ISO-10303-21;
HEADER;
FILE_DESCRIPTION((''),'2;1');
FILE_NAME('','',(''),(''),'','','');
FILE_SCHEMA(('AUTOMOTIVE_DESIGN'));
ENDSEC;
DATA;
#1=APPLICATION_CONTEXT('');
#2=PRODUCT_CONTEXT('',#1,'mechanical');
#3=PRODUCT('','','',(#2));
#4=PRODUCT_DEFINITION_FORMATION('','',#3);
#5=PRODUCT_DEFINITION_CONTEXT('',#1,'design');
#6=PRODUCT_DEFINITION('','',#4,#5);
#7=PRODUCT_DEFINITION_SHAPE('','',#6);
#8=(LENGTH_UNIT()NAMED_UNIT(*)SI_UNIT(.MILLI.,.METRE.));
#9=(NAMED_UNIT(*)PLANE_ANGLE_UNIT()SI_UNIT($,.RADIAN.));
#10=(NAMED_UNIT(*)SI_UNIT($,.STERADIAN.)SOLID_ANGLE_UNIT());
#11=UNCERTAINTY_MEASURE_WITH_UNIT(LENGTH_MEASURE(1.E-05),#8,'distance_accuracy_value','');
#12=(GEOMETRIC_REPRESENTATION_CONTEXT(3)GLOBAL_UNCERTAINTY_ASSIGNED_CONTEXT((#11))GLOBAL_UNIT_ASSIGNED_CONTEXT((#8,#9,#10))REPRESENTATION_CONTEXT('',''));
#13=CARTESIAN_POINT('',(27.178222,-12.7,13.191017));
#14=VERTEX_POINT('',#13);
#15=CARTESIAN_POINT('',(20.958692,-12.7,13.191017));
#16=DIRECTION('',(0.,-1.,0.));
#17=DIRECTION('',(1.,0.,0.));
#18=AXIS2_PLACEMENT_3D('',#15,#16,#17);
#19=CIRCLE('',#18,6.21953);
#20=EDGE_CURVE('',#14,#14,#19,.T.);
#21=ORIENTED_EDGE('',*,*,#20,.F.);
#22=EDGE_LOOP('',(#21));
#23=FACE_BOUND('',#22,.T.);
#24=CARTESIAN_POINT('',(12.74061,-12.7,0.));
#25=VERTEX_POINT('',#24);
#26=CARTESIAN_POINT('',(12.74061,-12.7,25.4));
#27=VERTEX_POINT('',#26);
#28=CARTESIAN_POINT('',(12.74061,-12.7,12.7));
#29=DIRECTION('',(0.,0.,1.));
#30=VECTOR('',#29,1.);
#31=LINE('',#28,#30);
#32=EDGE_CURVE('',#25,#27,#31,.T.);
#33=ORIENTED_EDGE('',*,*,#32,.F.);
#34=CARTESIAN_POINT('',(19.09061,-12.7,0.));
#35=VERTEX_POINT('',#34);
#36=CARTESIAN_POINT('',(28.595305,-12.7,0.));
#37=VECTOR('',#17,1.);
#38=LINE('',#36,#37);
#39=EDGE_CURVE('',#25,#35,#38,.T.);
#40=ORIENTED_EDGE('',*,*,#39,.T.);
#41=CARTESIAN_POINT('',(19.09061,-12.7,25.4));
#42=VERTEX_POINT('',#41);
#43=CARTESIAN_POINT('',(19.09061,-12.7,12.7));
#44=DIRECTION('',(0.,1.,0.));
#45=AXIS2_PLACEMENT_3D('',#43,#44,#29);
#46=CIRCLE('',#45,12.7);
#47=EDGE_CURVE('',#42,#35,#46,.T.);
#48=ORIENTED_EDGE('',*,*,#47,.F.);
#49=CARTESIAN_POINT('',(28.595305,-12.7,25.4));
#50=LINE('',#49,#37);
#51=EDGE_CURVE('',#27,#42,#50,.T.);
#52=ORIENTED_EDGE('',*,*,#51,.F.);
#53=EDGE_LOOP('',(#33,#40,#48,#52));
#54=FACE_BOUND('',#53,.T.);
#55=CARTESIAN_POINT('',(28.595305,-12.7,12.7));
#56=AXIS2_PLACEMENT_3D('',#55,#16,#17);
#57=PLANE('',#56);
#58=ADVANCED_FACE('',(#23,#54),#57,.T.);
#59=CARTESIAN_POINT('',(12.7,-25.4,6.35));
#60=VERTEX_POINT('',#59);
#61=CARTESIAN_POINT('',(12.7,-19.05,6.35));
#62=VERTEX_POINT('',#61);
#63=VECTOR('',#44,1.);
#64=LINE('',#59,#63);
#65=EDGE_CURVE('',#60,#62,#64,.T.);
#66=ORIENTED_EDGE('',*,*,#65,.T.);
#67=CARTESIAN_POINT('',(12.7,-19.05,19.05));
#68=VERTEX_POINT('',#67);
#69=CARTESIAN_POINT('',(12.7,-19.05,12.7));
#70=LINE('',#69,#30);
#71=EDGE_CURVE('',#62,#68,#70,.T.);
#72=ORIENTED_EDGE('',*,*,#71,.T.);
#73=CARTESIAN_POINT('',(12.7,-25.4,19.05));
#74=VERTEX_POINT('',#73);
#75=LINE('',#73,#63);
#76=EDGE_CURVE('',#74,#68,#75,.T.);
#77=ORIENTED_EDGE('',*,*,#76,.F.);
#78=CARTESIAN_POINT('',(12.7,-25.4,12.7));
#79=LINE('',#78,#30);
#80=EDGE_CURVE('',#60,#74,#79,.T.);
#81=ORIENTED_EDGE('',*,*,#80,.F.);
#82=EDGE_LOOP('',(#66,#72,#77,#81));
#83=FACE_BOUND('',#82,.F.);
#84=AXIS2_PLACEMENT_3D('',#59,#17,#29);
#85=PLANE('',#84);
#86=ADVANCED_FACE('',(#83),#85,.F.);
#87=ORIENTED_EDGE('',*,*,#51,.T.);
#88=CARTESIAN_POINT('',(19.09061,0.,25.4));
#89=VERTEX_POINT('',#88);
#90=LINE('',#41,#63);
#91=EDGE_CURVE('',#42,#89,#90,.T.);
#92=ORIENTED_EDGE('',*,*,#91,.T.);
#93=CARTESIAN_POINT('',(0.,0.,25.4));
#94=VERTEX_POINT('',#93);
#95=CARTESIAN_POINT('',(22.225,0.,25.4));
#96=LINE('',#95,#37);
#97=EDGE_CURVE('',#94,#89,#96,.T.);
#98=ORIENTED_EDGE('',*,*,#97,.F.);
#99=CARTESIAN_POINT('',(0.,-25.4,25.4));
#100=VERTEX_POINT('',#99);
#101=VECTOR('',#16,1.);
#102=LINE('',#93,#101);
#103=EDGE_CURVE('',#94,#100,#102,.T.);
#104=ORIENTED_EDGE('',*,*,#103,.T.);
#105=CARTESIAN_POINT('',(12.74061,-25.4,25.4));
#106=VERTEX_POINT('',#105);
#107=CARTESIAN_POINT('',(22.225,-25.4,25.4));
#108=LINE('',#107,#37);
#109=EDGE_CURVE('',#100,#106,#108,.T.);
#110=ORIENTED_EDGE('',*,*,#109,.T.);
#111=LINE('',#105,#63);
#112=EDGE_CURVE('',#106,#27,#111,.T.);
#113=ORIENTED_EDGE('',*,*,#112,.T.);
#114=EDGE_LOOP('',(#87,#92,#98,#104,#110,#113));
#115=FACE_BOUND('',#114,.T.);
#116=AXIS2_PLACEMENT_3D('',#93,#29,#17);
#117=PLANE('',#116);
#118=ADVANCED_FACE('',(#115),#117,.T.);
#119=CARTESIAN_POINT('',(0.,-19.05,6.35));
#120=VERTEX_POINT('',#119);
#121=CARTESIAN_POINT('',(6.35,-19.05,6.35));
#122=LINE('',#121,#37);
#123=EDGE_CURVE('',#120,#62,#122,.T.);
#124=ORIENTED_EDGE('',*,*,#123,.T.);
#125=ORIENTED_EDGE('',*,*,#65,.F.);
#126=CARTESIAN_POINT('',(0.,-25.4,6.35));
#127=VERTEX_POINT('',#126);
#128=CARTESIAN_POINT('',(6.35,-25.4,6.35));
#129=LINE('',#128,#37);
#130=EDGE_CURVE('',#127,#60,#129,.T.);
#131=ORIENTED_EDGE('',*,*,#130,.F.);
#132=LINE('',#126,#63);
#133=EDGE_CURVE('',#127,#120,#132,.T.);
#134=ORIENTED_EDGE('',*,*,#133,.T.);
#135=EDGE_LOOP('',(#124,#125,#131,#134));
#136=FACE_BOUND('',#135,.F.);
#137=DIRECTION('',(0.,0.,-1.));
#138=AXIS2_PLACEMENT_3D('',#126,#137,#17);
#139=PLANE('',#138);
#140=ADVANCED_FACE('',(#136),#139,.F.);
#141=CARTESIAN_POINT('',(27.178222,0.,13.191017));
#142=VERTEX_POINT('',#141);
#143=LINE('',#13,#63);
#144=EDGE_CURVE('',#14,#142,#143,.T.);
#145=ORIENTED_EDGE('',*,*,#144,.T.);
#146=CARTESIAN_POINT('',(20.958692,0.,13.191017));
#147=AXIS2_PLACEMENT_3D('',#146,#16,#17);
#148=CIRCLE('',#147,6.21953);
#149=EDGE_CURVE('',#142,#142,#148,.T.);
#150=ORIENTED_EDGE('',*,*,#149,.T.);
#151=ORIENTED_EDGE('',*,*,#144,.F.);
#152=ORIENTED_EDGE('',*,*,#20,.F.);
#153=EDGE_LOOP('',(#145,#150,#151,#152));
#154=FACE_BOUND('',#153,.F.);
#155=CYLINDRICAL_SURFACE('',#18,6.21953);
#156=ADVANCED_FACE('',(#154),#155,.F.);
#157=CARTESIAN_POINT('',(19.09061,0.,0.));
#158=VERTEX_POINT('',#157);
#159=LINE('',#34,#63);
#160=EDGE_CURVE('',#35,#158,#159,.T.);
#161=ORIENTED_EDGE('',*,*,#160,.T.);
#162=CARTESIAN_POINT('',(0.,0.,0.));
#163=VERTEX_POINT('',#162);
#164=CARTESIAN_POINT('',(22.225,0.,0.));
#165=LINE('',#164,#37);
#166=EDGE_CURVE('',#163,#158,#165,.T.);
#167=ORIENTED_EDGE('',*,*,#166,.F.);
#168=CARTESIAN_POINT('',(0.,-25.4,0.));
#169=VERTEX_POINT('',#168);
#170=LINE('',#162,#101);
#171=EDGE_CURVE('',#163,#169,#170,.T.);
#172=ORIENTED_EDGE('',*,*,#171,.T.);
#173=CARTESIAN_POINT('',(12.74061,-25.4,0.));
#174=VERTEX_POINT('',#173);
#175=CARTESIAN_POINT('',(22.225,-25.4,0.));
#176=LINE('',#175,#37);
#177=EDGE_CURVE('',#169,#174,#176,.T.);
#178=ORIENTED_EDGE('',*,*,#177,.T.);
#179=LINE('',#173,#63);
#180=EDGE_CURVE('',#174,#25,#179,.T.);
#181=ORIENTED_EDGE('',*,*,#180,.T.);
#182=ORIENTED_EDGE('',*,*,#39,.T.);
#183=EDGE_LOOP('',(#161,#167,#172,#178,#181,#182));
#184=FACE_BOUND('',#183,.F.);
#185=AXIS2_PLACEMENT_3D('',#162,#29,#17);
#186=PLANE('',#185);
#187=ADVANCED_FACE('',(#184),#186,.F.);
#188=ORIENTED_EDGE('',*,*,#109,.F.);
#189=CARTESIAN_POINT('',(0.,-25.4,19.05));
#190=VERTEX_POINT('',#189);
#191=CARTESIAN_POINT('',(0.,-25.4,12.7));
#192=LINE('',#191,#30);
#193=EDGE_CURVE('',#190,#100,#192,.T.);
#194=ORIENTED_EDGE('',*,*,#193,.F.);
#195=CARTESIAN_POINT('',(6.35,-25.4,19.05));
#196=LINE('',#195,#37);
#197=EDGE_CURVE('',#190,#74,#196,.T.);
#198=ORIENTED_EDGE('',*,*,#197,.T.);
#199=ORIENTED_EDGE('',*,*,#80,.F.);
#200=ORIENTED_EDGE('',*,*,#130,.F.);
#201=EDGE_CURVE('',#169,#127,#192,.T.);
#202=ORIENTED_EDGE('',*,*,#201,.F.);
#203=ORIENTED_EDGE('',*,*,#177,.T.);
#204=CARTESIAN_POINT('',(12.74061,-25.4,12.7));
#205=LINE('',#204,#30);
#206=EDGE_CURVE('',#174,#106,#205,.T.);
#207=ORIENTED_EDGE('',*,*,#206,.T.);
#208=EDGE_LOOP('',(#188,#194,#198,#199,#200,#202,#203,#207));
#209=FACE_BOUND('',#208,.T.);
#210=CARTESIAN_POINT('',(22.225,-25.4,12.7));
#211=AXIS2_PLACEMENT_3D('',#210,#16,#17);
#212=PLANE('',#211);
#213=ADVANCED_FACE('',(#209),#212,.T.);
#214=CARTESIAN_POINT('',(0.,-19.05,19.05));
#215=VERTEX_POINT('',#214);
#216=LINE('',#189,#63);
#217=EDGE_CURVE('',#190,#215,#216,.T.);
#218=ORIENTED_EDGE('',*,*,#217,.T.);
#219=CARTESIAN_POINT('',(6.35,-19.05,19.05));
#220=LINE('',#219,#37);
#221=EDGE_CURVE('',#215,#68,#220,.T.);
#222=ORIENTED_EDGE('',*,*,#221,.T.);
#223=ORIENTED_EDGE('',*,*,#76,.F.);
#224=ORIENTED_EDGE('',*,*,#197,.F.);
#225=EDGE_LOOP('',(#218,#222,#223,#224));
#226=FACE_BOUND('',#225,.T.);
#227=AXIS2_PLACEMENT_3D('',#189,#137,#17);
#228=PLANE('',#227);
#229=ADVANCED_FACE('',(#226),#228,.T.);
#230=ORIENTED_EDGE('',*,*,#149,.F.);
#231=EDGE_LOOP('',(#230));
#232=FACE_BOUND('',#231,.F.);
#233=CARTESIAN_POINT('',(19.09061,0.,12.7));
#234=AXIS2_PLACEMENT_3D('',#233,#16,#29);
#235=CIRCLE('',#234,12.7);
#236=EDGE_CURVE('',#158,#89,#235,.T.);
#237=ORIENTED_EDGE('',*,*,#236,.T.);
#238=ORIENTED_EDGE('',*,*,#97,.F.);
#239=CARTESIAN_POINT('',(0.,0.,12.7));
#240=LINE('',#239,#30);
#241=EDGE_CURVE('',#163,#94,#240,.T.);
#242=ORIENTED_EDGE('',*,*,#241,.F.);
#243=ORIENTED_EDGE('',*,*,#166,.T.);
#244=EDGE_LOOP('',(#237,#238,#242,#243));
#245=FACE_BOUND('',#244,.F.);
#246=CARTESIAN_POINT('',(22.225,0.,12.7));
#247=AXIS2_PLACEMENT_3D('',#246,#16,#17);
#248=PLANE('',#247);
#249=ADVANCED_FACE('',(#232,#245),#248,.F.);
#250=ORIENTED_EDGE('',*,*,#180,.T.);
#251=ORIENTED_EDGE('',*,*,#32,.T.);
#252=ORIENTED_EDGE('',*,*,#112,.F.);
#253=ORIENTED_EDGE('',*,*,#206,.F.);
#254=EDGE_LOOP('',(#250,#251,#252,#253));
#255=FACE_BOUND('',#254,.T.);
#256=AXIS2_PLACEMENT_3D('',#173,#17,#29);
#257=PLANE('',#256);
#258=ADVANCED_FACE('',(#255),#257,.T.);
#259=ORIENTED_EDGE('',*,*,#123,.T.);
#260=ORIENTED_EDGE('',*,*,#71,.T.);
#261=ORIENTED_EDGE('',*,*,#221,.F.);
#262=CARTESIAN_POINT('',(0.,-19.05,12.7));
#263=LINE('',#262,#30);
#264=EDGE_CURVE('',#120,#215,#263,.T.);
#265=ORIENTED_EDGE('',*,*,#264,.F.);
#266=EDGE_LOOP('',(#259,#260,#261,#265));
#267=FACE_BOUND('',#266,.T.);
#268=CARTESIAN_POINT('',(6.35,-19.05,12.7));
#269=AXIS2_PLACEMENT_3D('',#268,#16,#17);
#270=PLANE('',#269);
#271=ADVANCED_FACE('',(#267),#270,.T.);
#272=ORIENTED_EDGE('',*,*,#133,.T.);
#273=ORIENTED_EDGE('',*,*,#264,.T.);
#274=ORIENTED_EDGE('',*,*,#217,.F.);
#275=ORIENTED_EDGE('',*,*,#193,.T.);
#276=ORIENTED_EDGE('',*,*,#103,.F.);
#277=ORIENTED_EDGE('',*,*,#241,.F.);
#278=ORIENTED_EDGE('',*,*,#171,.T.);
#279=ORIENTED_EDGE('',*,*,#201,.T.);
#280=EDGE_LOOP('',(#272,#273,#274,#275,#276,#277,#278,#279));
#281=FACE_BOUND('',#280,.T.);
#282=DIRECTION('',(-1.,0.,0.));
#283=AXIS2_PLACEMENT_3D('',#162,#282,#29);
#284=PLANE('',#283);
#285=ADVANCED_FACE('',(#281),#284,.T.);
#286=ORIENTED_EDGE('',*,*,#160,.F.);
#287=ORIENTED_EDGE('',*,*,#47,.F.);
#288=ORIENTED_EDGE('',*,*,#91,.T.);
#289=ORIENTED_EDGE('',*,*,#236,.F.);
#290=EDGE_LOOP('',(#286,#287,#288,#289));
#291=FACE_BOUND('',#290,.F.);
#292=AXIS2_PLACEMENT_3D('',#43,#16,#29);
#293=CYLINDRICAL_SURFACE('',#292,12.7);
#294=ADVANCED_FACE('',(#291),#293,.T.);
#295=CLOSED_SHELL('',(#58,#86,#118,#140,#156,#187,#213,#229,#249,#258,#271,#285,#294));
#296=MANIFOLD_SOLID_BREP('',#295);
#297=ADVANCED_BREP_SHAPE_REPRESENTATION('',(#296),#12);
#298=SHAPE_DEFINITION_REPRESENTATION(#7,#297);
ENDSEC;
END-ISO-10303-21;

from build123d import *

# Parameters (mm, degrees)
F0_W     = 44.45
F0_H     = 25.4
F1_DEPTH = 25.4
F2_W     = 12.7
F2_H     = 12.7
F3_DEPTH = 6.35
F4_W     = 31.7093898326
F4_H     = 25.4
F5_DEPTH = 12.7
F7_DEPTH = 25.4
F8_R     = 6.2195299404
F9_DEPTH = 25.4


with BuildPart() as f1:
    # F0 (on Front) → F1 (new body)
    with BuildSketch(Plane.XZ):
        with Locations((22.225, 12.7)):
            Rectangle(F0_W, F0_H)
    extrude(amount=F1_DEPTH)

    # F2 (on face) → F3 (cut)
    with BuildSketch(Plane.XZ.offset(25.4)):
        with Locations((6.35, 12.7)):
            Rectangle(F2_W, F2_H)
    extrude(amount=-F3_DEPTH, mode=Mode.SUBTRACT)

    # F4 (on face) → F5 (cut)
    with BuildSketch(Plane.XZ.offset(25.4)):
        with Locations((28.5953050837, 12.7)):
            Rectangle(F4_W, F4_H)
    extrude(amount=-F5_DEPTH, mode=Mode.SUBTRACT)

    # F6 (on face) → F7 (cut)
    with BuildSketch(Plane.XZ.offset(12.7)):
        with BuildLine():
            Line((44.45, 25.4), (19.0906101674, 25.4))
            ThreePointArc((19.0906101674, 25.4), (31.7906101674, 12.7), (19.0906101674, 0))
            Line((19.0906101674, 0), (44.45, 0))
            Line((44.45, 0), (44.45, 25.4))
        make_face()
    extrude(amount=-F7_DEPTH, mode=Mode.SUBTRACT)

    # F8 (on face) → F9 (cut)
    with BuildSketch(Plane.XZ.offset(12.7)):
        with Locations((20.9586918354, 13.1910173222)):
            Circle(F8_R)
    extrude(amount=-F9_DEPTH, mode=Mode.SUBTRACT)


solid = f1.part
